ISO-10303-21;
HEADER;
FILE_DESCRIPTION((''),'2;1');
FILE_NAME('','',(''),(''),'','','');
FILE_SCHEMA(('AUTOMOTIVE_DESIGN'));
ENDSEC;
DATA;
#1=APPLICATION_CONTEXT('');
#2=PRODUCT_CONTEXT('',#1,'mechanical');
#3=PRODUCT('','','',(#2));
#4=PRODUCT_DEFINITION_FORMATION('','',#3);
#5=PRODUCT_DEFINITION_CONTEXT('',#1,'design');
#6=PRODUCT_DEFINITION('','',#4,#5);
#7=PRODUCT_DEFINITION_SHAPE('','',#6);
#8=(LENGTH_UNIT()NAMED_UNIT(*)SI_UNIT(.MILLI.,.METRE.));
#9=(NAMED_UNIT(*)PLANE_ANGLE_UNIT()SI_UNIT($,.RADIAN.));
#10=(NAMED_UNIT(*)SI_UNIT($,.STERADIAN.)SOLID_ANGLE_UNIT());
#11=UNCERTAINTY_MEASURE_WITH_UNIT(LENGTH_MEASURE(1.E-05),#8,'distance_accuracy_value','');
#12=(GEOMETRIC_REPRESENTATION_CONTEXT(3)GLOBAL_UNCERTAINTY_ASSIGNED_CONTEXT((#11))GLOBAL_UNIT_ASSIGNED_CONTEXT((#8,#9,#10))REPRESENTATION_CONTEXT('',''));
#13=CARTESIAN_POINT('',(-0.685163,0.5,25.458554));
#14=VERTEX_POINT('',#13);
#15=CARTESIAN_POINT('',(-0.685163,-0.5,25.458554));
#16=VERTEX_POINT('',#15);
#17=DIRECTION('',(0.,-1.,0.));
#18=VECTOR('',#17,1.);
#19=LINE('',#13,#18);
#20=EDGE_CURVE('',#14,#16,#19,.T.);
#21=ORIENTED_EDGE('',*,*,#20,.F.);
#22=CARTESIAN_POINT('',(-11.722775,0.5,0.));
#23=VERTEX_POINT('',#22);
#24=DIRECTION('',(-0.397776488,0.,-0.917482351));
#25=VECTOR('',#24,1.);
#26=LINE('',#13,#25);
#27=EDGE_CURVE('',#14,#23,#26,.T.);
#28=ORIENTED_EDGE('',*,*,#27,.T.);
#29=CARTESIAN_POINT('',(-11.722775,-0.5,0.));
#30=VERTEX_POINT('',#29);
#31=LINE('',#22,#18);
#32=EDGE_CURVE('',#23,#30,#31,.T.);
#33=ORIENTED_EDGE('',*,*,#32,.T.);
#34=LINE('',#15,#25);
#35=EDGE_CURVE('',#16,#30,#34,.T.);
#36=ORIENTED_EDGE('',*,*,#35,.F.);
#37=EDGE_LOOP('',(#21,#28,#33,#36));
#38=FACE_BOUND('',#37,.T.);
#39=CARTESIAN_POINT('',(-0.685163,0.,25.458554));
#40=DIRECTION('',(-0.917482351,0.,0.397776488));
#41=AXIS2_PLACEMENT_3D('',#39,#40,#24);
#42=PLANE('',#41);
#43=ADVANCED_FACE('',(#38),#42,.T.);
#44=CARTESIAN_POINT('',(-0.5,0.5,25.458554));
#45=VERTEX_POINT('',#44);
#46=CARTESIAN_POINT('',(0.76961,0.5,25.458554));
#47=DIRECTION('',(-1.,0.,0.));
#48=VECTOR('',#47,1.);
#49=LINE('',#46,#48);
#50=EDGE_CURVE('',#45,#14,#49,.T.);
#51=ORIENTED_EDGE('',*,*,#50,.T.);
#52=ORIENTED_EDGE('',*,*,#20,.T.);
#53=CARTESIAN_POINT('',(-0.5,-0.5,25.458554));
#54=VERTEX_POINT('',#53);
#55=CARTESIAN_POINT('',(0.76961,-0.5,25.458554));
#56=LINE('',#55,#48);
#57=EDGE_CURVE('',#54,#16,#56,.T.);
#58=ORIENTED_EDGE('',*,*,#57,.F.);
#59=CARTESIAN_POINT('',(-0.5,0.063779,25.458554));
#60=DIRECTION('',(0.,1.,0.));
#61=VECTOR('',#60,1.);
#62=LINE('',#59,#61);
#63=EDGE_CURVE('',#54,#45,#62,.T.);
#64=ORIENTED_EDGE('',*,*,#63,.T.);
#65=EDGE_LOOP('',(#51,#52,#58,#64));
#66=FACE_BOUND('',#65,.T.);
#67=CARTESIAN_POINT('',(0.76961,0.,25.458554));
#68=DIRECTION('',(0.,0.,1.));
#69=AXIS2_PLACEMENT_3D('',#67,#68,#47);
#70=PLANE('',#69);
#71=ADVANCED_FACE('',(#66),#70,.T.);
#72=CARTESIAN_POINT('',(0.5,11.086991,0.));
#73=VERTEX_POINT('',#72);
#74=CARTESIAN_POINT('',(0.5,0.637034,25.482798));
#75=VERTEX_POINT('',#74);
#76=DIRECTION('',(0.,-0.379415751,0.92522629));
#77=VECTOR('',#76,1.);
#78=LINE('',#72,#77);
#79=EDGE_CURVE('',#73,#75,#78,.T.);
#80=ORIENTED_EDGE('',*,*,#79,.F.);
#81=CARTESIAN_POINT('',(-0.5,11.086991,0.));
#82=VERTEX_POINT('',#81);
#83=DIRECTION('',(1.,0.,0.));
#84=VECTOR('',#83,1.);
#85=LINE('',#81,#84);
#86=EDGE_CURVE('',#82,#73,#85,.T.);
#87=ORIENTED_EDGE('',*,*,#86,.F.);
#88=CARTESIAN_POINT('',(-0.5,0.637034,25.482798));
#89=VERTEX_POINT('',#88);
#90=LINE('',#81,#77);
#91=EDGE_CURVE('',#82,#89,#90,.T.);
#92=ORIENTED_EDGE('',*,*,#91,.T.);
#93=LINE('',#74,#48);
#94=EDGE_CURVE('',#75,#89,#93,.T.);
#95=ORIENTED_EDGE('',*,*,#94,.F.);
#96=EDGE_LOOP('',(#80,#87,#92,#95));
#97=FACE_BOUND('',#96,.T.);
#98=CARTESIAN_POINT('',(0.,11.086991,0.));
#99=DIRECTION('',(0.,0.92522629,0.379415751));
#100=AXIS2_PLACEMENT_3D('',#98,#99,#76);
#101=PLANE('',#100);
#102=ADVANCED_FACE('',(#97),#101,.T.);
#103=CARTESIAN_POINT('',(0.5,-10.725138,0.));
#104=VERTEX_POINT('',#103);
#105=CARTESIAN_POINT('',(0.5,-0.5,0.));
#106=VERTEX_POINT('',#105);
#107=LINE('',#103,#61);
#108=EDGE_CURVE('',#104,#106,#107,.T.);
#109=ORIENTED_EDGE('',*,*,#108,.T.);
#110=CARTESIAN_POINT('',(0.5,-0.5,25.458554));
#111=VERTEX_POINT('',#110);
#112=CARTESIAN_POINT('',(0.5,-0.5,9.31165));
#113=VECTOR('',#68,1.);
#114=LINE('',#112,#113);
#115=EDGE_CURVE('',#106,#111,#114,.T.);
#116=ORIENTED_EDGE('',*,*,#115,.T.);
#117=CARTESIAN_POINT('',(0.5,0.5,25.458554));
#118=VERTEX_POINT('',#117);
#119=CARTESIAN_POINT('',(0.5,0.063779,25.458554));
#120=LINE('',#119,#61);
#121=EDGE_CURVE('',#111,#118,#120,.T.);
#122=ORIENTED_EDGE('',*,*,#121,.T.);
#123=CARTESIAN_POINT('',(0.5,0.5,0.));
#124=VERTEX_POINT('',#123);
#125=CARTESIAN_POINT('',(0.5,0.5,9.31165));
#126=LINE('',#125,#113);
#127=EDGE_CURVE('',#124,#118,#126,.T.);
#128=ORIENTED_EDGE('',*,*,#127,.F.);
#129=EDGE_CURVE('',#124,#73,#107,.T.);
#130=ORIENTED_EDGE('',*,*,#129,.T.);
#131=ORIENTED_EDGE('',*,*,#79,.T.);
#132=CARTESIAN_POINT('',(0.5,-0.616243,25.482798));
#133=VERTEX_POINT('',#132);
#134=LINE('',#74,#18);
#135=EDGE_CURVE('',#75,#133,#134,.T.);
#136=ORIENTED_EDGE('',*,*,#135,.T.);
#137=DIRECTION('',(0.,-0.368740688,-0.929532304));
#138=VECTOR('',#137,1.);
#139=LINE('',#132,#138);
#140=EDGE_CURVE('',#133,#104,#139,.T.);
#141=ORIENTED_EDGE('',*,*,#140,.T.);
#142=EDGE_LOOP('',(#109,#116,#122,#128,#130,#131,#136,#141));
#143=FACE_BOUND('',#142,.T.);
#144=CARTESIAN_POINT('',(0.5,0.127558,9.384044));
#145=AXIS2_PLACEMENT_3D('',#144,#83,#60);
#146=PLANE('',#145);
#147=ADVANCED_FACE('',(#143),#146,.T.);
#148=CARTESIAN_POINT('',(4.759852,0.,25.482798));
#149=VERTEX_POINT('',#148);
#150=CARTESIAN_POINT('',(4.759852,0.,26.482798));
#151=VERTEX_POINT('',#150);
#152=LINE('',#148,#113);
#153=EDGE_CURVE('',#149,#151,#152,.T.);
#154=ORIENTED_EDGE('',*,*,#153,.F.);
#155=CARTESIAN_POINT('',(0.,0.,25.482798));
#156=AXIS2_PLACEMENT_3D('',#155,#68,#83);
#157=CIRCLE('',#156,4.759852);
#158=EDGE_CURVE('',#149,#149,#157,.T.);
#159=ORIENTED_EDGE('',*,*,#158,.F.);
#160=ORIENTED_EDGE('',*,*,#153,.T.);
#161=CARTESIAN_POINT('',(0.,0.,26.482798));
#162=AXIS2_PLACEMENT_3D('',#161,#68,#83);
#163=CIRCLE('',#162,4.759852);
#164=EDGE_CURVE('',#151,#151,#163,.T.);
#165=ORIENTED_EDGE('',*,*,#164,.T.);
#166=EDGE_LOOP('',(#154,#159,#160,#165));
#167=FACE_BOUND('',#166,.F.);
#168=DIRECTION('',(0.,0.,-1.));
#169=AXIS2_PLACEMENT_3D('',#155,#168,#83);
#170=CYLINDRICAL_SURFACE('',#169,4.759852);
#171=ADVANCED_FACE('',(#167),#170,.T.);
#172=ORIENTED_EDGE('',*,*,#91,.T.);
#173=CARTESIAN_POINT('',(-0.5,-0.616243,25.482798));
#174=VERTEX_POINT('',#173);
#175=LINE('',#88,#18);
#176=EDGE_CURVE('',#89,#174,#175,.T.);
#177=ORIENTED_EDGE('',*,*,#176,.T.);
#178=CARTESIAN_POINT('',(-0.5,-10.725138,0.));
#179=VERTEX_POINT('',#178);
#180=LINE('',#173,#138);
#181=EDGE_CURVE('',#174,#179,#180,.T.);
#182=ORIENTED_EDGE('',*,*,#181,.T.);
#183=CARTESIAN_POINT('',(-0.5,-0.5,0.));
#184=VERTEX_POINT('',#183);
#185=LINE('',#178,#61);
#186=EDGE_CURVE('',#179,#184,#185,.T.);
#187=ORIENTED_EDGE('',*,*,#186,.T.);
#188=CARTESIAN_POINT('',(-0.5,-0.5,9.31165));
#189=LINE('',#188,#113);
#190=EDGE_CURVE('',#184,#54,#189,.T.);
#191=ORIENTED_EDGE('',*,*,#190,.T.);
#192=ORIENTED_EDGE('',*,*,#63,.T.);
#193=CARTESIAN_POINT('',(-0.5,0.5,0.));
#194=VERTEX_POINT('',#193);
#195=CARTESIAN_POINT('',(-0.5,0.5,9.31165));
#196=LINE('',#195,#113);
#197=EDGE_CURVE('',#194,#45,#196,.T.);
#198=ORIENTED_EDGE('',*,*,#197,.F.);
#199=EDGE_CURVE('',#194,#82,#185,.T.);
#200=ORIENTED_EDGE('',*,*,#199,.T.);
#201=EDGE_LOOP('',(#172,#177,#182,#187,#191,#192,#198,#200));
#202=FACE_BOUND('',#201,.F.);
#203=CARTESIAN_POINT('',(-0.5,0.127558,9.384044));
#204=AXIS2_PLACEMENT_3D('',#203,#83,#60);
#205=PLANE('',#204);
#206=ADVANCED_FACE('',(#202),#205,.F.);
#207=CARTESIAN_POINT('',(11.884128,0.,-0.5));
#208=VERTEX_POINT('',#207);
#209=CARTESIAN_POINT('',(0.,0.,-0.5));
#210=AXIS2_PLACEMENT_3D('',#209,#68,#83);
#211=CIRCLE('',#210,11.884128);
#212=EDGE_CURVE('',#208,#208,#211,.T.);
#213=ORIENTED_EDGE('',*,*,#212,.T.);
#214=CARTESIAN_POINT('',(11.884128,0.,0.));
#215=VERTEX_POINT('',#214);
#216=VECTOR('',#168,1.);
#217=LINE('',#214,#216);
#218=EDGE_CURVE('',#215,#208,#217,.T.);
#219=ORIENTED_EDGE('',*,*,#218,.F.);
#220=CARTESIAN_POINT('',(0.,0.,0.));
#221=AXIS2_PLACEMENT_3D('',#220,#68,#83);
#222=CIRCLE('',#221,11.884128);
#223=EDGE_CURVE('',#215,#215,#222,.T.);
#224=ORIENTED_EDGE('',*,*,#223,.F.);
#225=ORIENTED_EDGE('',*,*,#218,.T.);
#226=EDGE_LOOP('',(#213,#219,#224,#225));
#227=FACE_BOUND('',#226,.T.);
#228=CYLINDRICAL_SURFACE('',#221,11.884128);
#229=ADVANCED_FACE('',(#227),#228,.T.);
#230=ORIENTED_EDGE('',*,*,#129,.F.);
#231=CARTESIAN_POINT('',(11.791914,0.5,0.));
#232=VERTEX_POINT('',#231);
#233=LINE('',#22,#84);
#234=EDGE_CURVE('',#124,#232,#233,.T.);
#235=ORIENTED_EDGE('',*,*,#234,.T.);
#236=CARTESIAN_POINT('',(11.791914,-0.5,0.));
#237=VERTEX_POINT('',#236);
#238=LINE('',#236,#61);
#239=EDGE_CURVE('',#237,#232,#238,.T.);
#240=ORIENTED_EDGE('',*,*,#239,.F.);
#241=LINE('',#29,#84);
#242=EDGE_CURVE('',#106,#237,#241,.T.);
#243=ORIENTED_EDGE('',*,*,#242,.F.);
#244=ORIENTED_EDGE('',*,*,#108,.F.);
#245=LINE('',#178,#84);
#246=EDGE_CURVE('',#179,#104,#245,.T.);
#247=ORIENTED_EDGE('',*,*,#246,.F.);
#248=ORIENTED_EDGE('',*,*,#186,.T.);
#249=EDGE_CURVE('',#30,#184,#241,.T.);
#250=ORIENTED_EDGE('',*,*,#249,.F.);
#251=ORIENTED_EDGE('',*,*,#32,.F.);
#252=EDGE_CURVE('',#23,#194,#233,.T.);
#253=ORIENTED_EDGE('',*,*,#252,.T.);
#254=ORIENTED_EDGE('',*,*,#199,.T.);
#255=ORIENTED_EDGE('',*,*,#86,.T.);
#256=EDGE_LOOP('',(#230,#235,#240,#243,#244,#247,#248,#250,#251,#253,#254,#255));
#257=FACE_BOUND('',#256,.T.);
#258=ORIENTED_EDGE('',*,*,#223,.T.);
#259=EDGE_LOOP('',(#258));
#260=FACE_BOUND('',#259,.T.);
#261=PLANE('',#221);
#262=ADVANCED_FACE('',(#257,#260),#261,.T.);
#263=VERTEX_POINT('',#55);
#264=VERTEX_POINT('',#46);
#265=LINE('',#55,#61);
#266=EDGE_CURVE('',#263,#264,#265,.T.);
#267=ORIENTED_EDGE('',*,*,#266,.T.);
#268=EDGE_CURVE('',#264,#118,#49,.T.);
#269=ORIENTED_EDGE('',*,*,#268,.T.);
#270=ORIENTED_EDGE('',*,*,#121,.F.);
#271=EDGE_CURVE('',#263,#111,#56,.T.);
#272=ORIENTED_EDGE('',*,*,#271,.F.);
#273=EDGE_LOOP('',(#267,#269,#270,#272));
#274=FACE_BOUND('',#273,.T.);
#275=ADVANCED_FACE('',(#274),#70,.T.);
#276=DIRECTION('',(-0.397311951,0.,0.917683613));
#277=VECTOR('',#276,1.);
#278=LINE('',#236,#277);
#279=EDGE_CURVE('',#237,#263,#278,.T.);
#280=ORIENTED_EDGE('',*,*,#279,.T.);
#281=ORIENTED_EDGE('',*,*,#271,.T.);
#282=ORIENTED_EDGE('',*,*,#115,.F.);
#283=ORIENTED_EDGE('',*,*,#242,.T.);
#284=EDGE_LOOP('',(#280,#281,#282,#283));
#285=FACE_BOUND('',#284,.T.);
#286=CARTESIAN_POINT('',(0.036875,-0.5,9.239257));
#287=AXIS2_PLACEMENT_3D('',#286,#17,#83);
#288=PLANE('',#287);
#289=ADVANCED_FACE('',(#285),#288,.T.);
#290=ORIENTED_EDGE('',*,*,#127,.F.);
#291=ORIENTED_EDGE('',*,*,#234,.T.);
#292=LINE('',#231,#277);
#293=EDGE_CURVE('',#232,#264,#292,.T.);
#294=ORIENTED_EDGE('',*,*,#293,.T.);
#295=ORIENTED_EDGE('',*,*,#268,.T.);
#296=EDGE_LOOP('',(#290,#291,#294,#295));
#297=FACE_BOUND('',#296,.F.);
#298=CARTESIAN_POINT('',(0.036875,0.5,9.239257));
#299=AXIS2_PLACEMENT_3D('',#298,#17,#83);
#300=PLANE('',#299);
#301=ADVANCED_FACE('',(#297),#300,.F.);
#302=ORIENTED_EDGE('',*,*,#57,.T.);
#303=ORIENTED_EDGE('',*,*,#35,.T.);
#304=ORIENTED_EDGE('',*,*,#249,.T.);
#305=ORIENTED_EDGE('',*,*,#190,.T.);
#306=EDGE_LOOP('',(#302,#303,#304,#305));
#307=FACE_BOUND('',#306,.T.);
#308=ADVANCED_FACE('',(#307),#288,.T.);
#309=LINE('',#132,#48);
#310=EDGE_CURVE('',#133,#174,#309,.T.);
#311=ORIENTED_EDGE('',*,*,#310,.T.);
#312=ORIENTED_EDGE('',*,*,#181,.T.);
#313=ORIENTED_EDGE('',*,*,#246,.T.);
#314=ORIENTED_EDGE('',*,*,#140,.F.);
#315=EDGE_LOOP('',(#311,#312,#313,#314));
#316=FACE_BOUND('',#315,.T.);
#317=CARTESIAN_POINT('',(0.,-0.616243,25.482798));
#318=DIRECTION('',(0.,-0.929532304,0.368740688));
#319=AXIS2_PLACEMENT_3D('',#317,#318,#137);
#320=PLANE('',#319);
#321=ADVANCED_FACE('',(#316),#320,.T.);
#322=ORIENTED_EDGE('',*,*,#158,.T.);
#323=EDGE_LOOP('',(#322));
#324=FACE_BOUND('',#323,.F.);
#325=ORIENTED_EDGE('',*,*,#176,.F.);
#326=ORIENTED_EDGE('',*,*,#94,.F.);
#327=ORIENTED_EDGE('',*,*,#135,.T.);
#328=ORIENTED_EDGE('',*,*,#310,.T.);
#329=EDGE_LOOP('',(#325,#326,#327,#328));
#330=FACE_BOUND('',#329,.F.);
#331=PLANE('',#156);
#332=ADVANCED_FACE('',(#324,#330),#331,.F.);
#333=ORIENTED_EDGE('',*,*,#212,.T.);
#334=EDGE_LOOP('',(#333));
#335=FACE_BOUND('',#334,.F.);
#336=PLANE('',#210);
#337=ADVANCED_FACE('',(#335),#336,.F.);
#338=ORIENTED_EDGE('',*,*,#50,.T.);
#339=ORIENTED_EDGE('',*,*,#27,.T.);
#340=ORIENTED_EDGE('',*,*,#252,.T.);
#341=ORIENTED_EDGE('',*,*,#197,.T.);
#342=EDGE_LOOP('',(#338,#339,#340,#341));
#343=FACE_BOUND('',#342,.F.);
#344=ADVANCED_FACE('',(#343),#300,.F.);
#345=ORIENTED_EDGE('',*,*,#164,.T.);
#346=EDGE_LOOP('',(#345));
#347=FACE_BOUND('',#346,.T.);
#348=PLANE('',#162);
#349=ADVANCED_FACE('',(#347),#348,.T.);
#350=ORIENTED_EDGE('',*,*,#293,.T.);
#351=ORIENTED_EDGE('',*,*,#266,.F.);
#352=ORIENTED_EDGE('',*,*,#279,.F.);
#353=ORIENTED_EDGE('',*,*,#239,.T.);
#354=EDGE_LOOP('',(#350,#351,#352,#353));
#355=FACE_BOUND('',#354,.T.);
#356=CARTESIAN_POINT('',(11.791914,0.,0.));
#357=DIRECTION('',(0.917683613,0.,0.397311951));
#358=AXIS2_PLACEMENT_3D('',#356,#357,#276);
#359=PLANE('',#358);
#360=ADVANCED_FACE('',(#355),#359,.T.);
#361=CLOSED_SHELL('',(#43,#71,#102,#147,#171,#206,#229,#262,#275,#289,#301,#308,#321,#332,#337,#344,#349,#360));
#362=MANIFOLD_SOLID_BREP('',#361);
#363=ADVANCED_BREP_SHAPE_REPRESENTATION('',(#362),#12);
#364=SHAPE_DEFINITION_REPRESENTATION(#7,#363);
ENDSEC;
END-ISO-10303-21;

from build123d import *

# Parameters (mm, degrees)
F3_DEPTH = 0.5
F4_DEPTH = 0.5
F2_R     = 11.884128
F5_DEPTH = 0.5
F6_R     = 4.759852
F7_DEPTH = 1


with BuildPart() as f3:
    # F0 (on Front) → F3 (new body, symmetric)
    with BuildSketch(Plane.XZ):
        Polygon((0.76961, 25.458554), (-0.685163, 25.458554), (-11.722775, 0), (11.791914, 0), align=None)
    extrude(amount=F3_DEPTH, both=True)

    # F1 (on Right) → F4 (join, symmetric)
    with BuildSketch(Plane.YZ):
        Polygon((0, 25.482798), (-0.616243, 25.482798), (-10.725138, 0), (0, 0), (11.086991, 0), (0.637034, 25.482798), align=None)
    extrude(amount=F4_DEPTH, both=True)

    # F2 (on Top) → F5 (join)
    with BuildSketch(Plane.XY):
        Circle(F2_R)
    extrude(amount=-F5_DEPTH)

    # F6 (on face) → F7 (join)
    with BuildSketch(Plane.XY.offset(25.482798)):
        Circle(F6_R)
    extrude(amount=F7_DEPTH)


solid = f3.part
